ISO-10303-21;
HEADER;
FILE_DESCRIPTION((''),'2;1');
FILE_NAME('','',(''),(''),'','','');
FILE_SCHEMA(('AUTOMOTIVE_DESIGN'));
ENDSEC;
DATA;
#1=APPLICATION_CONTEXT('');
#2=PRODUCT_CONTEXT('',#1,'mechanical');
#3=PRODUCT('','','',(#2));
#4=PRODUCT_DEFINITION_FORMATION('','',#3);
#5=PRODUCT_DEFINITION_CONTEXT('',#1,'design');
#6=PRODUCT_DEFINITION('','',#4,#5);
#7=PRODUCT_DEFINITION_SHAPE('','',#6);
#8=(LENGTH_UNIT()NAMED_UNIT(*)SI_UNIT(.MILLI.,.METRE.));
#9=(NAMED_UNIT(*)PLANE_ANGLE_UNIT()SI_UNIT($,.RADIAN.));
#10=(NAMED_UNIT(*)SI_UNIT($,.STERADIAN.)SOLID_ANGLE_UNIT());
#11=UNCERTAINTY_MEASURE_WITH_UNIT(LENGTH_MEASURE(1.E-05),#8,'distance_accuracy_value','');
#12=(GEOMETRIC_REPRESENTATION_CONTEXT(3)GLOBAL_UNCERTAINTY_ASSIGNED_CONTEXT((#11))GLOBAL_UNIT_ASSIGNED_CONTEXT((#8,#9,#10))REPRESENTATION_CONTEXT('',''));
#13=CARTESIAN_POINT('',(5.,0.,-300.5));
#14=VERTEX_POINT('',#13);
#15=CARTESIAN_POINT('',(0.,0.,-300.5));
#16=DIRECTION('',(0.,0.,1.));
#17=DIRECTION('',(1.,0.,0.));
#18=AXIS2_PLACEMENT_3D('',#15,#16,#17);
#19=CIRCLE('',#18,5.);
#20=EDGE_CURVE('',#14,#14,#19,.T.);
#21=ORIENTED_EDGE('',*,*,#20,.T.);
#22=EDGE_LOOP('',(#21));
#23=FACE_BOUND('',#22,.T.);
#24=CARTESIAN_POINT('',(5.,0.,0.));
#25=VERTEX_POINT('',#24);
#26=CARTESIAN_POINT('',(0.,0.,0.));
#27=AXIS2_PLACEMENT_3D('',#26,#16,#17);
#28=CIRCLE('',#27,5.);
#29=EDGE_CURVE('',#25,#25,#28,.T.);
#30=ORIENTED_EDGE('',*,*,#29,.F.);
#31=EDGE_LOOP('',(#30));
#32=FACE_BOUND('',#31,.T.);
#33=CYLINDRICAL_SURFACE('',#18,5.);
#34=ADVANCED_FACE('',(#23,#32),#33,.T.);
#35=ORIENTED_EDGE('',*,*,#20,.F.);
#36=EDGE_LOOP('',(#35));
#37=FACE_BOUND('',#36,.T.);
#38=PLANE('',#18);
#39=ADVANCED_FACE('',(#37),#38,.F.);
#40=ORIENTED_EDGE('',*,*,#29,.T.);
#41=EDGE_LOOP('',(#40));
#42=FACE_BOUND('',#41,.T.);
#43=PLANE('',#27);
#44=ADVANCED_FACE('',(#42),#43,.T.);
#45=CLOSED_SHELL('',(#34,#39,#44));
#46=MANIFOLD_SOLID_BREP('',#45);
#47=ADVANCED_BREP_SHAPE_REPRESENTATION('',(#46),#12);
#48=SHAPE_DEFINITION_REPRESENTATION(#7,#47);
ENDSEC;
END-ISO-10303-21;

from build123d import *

# Parameters (mm, degrees)
SKETCH1_R           = 5
BOSS_EXTRUDE1_DEPTH = 300.5


with BuildPart() as part:
    # Sketch1 → Boss-Extrude1 (new body)
    with BuildSketch(Plane.XY):
        Circle(SKETCH1_R)
    extrude(amount=-BOSS_EXTRUDE1_DEPTH)


solid = part.part
